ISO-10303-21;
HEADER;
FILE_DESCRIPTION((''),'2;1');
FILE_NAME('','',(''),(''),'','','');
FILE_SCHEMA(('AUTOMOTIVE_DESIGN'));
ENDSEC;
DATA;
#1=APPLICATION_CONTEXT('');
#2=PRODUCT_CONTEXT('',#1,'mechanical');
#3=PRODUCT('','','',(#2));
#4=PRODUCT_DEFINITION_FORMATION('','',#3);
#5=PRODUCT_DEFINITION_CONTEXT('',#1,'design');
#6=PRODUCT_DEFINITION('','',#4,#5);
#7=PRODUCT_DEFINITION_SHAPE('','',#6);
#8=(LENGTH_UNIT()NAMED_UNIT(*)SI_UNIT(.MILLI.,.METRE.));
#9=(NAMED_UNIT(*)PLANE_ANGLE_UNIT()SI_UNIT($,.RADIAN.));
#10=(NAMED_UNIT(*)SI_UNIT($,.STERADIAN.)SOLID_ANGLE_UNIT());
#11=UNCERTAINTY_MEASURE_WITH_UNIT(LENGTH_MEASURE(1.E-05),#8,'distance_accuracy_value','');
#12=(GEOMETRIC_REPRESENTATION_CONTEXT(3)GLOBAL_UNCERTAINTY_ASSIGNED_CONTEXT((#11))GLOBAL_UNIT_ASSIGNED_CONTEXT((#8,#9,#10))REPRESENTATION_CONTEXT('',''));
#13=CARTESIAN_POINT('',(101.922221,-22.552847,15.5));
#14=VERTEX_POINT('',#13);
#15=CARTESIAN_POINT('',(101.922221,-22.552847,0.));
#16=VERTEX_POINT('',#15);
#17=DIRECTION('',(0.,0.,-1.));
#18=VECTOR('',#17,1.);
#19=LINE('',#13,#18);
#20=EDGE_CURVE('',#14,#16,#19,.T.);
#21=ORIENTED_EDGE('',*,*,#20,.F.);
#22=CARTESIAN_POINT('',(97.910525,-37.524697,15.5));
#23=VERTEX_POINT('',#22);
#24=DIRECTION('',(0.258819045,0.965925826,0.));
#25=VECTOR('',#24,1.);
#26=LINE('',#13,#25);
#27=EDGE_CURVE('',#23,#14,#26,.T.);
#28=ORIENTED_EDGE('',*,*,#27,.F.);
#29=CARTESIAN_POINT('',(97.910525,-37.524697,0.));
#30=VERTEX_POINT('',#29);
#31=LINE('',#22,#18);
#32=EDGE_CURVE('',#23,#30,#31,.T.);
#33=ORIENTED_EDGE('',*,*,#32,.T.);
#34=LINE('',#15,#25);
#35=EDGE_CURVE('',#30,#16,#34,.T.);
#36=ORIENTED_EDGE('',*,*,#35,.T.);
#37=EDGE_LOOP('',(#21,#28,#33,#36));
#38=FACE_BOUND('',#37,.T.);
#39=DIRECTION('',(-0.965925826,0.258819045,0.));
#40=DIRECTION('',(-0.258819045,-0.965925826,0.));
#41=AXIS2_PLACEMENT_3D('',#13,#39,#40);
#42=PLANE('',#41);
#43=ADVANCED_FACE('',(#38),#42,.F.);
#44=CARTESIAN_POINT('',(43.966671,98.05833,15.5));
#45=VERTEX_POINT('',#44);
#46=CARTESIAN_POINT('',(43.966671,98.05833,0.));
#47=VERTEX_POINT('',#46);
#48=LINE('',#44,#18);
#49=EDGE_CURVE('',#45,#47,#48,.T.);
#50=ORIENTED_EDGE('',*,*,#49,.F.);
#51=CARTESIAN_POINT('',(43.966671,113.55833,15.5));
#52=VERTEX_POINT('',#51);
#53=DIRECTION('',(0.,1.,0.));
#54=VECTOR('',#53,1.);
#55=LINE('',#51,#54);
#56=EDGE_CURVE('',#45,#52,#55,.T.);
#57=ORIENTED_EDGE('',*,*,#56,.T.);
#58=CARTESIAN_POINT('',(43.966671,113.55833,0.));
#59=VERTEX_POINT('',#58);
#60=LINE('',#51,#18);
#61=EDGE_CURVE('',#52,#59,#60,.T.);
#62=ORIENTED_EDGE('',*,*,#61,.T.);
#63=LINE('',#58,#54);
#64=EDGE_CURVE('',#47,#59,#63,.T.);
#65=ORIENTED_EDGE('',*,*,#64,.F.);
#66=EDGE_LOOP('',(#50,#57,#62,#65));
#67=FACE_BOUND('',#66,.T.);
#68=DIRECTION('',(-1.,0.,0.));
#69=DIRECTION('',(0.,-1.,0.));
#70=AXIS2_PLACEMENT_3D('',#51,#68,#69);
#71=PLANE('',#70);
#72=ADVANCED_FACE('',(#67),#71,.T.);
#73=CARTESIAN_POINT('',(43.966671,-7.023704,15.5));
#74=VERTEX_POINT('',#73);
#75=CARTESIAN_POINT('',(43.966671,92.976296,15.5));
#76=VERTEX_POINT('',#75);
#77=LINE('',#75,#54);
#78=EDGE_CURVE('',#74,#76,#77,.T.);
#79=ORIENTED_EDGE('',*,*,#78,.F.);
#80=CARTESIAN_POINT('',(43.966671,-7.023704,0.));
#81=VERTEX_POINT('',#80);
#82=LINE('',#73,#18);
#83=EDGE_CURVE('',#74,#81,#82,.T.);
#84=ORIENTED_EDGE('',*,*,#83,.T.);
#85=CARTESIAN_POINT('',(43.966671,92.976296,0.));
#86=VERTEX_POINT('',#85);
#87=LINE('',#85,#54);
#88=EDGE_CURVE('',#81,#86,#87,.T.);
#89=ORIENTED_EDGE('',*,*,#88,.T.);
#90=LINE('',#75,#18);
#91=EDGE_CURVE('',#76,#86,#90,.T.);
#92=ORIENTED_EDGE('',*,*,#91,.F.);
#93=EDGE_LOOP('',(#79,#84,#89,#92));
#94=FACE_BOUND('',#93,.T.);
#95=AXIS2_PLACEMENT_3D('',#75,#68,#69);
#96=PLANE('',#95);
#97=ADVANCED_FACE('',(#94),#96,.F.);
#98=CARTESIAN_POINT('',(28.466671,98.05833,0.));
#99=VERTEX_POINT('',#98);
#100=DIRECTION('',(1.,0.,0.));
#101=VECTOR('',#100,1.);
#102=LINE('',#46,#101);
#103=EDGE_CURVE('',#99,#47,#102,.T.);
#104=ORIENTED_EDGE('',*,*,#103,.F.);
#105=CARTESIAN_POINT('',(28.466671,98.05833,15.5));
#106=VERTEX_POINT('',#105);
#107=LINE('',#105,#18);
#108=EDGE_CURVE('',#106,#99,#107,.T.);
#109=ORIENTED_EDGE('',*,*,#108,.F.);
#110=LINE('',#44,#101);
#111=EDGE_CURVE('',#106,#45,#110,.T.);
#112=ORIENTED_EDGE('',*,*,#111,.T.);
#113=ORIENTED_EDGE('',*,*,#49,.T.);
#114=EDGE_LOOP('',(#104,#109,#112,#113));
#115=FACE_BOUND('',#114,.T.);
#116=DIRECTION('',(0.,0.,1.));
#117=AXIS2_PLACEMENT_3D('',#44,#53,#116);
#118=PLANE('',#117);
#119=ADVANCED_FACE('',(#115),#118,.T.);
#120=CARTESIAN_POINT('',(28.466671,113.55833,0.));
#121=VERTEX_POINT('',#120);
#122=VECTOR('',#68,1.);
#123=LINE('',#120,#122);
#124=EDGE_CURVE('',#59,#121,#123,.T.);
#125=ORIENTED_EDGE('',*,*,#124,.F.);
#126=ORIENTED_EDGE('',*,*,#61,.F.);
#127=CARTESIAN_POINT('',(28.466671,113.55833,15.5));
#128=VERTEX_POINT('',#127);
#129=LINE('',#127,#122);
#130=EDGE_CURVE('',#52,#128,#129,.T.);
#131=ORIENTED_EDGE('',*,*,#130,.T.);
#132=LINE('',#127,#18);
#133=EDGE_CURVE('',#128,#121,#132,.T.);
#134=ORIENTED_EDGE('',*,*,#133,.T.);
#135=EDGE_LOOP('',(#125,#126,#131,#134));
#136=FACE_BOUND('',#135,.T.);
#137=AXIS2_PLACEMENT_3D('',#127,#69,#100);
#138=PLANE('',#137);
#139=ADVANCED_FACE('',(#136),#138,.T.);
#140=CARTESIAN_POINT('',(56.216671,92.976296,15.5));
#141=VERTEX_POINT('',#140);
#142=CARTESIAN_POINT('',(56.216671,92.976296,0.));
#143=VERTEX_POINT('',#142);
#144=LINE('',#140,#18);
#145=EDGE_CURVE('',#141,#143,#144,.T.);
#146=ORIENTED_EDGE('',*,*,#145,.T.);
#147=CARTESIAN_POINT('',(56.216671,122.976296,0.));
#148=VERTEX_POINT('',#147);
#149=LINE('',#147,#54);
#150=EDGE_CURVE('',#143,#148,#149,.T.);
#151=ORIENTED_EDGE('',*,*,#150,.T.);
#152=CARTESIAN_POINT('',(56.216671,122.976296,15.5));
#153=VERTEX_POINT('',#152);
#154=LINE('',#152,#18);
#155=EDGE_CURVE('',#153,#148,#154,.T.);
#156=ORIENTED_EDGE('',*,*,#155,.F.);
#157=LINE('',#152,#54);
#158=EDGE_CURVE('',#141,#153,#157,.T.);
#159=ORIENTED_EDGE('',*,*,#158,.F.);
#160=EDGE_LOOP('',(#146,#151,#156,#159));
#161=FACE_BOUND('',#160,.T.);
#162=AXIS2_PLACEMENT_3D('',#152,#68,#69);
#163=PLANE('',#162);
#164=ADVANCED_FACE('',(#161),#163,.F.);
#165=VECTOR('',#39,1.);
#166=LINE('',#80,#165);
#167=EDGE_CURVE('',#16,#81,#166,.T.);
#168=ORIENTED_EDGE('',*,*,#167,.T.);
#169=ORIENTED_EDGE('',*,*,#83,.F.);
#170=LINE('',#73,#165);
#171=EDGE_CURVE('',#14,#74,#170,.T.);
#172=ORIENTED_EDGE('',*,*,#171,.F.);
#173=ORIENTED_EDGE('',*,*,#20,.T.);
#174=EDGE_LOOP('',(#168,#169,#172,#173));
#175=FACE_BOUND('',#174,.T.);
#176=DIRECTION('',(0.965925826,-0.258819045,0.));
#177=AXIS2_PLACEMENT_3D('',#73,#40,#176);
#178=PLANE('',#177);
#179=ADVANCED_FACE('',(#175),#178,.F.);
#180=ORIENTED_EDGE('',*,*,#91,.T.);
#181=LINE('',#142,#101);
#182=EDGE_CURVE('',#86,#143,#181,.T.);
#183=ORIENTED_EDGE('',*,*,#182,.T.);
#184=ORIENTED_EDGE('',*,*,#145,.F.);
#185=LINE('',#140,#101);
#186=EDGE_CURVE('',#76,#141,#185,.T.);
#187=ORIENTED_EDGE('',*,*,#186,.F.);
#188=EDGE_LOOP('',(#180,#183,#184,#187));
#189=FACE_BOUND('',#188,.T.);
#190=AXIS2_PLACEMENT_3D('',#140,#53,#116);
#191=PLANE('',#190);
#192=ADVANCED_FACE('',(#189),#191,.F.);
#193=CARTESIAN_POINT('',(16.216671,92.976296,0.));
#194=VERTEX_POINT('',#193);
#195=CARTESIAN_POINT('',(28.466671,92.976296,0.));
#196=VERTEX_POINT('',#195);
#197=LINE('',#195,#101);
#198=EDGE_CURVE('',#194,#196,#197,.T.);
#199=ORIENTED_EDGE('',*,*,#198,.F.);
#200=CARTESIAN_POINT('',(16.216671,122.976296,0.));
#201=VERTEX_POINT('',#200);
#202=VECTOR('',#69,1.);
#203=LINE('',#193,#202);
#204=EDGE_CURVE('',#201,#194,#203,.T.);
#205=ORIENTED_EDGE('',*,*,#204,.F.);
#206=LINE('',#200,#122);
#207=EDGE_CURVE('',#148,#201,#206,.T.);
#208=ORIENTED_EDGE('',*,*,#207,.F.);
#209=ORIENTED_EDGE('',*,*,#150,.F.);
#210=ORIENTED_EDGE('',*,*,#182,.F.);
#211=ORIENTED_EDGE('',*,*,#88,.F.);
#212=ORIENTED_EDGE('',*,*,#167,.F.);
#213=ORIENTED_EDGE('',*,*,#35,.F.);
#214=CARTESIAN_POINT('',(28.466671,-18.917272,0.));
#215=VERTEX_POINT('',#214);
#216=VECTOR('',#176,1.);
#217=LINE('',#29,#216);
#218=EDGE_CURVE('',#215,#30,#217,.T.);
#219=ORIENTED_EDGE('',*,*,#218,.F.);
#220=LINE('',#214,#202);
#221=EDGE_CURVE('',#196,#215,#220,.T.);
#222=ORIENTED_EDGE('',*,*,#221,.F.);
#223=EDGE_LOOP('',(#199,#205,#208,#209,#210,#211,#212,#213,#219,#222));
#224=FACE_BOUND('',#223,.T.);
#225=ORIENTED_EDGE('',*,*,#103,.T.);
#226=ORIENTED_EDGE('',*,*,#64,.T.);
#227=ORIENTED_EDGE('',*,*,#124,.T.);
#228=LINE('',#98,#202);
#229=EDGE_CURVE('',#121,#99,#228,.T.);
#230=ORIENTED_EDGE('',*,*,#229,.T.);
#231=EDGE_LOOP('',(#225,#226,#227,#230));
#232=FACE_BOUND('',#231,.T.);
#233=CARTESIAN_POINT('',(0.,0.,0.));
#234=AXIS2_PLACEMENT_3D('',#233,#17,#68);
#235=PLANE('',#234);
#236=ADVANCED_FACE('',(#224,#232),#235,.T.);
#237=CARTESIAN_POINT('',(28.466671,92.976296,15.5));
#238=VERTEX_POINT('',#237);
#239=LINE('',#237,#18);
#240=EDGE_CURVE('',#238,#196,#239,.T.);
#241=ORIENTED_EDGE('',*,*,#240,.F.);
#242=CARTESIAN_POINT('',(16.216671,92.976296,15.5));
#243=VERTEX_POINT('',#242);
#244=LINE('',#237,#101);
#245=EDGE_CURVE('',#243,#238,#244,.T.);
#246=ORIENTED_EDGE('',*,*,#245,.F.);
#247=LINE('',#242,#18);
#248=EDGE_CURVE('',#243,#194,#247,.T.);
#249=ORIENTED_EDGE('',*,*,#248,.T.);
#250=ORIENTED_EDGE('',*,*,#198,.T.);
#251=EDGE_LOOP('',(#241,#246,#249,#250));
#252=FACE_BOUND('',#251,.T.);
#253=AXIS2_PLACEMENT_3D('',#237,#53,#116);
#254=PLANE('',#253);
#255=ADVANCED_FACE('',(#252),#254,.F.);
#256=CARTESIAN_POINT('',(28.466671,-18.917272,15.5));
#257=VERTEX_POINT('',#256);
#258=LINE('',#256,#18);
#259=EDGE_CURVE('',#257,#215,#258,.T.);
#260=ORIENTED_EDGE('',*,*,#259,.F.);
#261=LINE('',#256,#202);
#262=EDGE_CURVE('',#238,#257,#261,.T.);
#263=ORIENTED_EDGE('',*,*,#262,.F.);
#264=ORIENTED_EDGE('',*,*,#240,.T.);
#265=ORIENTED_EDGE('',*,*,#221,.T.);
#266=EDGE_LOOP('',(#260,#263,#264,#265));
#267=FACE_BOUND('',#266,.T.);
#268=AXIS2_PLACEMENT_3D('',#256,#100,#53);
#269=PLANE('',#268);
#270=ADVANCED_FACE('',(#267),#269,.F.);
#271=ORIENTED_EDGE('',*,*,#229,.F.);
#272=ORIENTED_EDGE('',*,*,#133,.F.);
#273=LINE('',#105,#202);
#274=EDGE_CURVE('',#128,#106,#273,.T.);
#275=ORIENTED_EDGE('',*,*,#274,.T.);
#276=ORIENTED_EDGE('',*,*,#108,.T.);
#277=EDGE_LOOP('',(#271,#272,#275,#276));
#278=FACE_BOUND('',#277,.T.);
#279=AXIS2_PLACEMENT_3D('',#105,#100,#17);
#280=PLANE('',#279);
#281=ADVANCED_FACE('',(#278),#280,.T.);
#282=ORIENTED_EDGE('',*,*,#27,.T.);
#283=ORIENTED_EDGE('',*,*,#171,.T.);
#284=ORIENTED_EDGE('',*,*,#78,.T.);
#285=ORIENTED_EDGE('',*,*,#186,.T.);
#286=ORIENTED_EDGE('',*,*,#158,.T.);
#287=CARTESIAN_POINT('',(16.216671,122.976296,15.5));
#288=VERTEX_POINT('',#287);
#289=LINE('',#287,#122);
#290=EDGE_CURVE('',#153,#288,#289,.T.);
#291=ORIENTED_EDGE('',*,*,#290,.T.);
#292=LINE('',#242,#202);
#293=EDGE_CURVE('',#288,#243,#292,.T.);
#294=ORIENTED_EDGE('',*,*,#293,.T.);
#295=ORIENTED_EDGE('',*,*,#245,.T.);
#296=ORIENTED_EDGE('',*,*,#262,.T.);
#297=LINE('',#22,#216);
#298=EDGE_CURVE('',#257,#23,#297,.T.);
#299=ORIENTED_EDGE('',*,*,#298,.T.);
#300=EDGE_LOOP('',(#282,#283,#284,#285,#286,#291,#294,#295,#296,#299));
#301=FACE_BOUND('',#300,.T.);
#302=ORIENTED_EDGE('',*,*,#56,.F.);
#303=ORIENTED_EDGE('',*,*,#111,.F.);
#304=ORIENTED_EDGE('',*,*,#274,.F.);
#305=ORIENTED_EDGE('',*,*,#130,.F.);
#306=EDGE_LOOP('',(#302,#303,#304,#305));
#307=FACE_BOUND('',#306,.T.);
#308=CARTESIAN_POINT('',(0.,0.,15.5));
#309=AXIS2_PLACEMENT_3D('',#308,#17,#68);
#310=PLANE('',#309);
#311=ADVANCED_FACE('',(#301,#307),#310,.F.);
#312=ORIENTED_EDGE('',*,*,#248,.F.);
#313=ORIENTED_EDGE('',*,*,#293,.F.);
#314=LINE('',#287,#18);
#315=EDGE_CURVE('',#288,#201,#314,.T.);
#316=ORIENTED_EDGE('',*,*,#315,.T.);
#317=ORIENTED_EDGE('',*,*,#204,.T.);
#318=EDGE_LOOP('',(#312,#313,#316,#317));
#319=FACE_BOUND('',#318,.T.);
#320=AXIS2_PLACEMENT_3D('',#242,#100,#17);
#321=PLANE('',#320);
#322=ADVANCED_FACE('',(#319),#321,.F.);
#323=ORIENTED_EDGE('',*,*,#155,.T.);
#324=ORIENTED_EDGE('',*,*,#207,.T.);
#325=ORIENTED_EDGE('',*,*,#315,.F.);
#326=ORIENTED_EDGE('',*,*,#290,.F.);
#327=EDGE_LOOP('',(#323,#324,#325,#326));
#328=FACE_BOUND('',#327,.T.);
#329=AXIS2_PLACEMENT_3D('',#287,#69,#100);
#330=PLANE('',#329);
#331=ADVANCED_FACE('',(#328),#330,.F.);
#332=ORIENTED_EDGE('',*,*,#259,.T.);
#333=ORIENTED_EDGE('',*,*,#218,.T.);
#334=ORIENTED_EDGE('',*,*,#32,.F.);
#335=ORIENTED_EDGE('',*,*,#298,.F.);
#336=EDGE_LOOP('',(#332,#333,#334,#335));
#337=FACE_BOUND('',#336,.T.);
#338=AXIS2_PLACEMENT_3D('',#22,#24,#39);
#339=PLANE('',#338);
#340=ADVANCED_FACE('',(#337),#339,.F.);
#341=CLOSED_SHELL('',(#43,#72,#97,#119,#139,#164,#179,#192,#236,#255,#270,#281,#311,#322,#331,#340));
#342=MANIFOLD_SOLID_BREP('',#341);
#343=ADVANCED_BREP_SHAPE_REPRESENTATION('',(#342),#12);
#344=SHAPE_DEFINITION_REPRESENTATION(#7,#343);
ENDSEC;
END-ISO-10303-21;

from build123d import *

# Parameters (mm, degrees)
SKETCH_1_W      = 15.5
SKETCH_1_H      = 15.5
EXTRUDE_1_DEPTH = 15.5


with BuildPart() as part:
    # 草图1 → 凸台-拉伸1 (new body)
    with BuildSketch(Plane.XY):
        Polygon((28.466671087, -18.917272271), (28.466671087, 92.976296042), (16.216671087, 92.976296042), (16.216671087, 122.976296042), (56.216671087, 122.976296042), (56.216671087, 92.976296042), (43.966671087, 92.976296042), (43.966671087, -7.023703958), (101.922220665, -22.552846664), (97.910525465, -37.524696971), align=None)
        with Locations((36.216671087, 105.808330351)):
            Rectangle(SKETCH_1_W, SKETCH_1_H, mode=Mode.SUBTRACT)
    extrude(amount=EXTRUDE_1_DEPTH)


solid = part.part
